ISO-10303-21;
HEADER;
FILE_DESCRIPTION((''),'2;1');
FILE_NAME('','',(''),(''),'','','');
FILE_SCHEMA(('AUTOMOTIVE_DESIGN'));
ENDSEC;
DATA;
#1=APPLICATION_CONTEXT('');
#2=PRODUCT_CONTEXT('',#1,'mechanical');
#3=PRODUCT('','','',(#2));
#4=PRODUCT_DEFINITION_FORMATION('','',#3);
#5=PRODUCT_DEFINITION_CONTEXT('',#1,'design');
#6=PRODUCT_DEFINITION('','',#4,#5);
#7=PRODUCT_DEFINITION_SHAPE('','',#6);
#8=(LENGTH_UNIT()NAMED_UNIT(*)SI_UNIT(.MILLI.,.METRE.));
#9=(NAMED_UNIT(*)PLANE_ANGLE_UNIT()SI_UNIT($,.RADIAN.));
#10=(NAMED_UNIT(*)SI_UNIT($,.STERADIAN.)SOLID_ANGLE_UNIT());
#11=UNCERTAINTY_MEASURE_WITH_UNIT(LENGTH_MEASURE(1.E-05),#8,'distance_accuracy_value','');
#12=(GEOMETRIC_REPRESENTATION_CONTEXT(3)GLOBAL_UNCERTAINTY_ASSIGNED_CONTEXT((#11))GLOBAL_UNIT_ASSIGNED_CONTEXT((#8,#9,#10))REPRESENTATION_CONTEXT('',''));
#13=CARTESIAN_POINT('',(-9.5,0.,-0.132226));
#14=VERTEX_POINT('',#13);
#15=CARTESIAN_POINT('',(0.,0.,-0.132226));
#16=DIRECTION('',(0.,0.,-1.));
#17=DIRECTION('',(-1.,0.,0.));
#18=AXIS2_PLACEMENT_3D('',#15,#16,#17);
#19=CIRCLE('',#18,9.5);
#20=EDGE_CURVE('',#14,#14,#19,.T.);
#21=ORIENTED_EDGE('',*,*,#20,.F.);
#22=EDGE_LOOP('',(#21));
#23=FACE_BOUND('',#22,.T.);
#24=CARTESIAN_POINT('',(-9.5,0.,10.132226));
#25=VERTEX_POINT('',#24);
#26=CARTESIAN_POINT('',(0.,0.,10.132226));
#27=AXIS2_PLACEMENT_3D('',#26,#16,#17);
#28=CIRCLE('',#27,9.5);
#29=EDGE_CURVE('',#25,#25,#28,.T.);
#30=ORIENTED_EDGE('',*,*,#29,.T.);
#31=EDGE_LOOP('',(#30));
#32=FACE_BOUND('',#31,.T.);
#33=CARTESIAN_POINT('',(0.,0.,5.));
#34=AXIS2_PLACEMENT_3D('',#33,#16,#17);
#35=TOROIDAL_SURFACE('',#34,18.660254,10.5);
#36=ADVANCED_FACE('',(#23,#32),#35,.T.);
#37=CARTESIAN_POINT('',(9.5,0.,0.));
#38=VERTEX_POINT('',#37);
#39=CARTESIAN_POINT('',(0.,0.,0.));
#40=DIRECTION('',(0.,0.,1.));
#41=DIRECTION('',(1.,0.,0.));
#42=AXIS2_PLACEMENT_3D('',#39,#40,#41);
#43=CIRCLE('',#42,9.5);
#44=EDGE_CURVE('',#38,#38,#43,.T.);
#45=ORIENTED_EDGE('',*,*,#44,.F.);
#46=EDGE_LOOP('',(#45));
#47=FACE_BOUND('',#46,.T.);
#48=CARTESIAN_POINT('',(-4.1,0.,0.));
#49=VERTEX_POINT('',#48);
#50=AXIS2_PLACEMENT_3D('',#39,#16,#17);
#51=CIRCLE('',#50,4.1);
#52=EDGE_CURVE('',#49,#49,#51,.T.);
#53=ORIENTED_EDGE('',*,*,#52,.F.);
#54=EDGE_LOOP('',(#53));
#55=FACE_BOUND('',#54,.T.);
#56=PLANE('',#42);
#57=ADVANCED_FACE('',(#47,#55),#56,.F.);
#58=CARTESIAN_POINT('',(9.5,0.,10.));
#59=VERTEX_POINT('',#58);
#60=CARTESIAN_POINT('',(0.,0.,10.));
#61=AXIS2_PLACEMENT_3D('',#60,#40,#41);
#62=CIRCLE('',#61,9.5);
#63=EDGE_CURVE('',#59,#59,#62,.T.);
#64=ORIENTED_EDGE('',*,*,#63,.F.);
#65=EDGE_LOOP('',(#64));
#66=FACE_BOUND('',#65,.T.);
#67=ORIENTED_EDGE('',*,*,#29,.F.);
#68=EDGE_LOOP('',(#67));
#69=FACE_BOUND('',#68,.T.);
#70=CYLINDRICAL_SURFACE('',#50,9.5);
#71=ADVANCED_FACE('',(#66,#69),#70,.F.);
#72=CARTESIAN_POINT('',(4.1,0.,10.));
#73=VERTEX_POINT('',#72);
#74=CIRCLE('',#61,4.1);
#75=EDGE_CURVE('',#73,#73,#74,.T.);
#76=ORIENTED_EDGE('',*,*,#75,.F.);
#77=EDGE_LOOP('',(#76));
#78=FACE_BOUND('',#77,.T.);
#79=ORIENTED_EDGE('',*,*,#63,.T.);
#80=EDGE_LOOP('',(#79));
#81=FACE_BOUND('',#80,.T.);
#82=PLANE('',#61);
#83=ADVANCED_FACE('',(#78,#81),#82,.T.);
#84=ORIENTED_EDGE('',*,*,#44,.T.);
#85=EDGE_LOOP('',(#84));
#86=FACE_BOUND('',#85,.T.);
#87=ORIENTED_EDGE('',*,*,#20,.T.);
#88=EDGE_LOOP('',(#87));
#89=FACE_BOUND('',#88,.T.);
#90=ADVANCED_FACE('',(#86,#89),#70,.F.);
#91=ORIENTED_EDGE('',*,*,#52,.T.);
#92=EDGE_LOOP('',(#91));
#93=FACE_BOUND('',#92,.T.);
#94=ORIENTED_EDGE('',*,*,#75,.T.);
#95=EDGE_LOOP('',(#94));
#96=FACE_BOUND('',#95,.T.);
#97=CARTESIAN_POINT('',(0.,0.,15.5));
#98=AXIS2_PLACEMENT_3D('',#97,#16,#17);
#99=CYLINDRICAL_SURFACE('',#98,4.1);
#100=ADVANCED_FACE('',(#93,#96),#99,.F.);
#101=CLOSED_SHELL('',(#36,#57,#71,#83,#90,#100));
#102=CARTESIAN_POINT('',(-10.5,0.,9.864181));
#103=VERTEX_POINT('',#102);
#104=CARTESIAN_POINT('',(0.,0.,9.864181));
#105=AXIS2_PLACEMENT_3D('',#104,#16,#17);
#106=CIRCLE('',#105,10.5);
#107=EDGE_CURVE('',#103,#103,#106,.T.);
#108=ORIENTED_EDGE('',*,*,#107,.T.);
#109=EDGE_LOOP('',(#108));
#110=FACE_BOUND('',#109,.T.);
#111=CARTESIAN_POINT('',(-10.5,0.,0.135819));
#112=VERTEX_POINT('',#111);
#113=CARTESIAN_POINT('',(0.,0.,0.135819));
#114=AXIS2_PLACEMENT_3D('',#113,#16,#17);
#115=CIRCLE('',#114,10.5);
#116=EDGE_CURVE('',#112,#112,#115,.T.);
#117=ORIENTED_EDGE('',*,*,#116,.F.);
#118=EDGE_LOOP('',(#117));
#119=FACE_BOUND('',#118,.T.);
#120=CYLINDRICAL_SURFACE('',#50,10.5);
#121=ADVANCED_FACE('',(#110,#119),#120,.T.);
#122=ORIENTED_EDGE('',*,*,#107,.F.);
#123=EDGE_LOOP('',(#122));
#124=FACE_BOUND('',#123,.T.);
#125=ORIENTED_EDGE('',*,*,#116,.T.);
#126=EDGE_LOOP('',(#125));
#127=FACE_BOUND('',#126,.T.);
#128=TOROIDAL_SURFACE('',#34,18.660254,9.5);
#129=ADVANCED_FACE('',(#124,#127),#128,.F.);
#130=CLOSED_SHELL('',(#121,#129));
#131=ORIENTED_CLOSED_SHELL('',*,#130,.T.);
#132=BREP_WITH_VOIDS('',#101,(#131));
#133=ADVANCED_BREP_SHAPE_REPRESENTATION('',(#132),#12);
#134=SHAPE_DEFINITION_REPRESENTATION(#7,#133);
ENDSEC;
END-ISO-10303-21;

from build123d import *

# Parameters (mm, degrees)
SKETCH_1_R          = 10
EXTRUDE_1_DEPTH     = 10
SKETCH_2_W          = 1
SKETCH_2_H          = 10
SKETCH_3_R          = 4.1
CUT_EXTRUDE_1_DEPTH = 45.055542737


with BuildPart() as part:
    # Эскиз1 → Бобышка-Вытянуть1 (new body)
    with BuildSketch(Plane.XY):
        Circle(SKETCH_1_R)
    extrude(amount=EXTRUDE_1_DEPTH)

    # Эскиз2 → Повернуть-Тонкостенный1 (revolve)
    with BuildSketch(Plane(origin=(0, 0, 0), x_dir=(1, 0, 0), z_dir=(0, 1, 0)), mode=Mode.PRIVATE) as revolve_1_sk:
        with BuildLine():
            Line((9.5, 0.132226219), (9.5, -10.132226219))
            ThreePointArc((9.5, -10.132226219), (29.160254038, -5), (9.5, 0.132226219))
        make_face()
        with BuildLine():
            Line((10.5, -0.135819284), (10.5, -9.864180716))
            ThreePointArc((10.5, -9.864180716), (28.160254038, -5), (10.5, -0.135819284))
        make_face(mode=Mode.SUBTRACT)
        with Locations((-10, -5)):
            Rectangle(SKETCH_2_W, SKETCH_2_H)
    revolve(revolve_1_sk.sketch.rotate(Axis((0, 0, 0), (0, 0, 1)), 180), axis=Axis((0, 0, 0), (0, 0, 1)))

    # Эскиз3 → Вырез-Вытянуть1 (cut, through all)
    with BuildSketch(Plane(origin=(0, 0, 0), x_dir=(-1, 0, 0), z_dir=(0, 0, -1))):
        Circle(SKETCH_3_R)
    extrude(amount=-CUT_EXTRUDE_1_DEPTH, mode=Mode.SUBTRACT)


solid = part.part
